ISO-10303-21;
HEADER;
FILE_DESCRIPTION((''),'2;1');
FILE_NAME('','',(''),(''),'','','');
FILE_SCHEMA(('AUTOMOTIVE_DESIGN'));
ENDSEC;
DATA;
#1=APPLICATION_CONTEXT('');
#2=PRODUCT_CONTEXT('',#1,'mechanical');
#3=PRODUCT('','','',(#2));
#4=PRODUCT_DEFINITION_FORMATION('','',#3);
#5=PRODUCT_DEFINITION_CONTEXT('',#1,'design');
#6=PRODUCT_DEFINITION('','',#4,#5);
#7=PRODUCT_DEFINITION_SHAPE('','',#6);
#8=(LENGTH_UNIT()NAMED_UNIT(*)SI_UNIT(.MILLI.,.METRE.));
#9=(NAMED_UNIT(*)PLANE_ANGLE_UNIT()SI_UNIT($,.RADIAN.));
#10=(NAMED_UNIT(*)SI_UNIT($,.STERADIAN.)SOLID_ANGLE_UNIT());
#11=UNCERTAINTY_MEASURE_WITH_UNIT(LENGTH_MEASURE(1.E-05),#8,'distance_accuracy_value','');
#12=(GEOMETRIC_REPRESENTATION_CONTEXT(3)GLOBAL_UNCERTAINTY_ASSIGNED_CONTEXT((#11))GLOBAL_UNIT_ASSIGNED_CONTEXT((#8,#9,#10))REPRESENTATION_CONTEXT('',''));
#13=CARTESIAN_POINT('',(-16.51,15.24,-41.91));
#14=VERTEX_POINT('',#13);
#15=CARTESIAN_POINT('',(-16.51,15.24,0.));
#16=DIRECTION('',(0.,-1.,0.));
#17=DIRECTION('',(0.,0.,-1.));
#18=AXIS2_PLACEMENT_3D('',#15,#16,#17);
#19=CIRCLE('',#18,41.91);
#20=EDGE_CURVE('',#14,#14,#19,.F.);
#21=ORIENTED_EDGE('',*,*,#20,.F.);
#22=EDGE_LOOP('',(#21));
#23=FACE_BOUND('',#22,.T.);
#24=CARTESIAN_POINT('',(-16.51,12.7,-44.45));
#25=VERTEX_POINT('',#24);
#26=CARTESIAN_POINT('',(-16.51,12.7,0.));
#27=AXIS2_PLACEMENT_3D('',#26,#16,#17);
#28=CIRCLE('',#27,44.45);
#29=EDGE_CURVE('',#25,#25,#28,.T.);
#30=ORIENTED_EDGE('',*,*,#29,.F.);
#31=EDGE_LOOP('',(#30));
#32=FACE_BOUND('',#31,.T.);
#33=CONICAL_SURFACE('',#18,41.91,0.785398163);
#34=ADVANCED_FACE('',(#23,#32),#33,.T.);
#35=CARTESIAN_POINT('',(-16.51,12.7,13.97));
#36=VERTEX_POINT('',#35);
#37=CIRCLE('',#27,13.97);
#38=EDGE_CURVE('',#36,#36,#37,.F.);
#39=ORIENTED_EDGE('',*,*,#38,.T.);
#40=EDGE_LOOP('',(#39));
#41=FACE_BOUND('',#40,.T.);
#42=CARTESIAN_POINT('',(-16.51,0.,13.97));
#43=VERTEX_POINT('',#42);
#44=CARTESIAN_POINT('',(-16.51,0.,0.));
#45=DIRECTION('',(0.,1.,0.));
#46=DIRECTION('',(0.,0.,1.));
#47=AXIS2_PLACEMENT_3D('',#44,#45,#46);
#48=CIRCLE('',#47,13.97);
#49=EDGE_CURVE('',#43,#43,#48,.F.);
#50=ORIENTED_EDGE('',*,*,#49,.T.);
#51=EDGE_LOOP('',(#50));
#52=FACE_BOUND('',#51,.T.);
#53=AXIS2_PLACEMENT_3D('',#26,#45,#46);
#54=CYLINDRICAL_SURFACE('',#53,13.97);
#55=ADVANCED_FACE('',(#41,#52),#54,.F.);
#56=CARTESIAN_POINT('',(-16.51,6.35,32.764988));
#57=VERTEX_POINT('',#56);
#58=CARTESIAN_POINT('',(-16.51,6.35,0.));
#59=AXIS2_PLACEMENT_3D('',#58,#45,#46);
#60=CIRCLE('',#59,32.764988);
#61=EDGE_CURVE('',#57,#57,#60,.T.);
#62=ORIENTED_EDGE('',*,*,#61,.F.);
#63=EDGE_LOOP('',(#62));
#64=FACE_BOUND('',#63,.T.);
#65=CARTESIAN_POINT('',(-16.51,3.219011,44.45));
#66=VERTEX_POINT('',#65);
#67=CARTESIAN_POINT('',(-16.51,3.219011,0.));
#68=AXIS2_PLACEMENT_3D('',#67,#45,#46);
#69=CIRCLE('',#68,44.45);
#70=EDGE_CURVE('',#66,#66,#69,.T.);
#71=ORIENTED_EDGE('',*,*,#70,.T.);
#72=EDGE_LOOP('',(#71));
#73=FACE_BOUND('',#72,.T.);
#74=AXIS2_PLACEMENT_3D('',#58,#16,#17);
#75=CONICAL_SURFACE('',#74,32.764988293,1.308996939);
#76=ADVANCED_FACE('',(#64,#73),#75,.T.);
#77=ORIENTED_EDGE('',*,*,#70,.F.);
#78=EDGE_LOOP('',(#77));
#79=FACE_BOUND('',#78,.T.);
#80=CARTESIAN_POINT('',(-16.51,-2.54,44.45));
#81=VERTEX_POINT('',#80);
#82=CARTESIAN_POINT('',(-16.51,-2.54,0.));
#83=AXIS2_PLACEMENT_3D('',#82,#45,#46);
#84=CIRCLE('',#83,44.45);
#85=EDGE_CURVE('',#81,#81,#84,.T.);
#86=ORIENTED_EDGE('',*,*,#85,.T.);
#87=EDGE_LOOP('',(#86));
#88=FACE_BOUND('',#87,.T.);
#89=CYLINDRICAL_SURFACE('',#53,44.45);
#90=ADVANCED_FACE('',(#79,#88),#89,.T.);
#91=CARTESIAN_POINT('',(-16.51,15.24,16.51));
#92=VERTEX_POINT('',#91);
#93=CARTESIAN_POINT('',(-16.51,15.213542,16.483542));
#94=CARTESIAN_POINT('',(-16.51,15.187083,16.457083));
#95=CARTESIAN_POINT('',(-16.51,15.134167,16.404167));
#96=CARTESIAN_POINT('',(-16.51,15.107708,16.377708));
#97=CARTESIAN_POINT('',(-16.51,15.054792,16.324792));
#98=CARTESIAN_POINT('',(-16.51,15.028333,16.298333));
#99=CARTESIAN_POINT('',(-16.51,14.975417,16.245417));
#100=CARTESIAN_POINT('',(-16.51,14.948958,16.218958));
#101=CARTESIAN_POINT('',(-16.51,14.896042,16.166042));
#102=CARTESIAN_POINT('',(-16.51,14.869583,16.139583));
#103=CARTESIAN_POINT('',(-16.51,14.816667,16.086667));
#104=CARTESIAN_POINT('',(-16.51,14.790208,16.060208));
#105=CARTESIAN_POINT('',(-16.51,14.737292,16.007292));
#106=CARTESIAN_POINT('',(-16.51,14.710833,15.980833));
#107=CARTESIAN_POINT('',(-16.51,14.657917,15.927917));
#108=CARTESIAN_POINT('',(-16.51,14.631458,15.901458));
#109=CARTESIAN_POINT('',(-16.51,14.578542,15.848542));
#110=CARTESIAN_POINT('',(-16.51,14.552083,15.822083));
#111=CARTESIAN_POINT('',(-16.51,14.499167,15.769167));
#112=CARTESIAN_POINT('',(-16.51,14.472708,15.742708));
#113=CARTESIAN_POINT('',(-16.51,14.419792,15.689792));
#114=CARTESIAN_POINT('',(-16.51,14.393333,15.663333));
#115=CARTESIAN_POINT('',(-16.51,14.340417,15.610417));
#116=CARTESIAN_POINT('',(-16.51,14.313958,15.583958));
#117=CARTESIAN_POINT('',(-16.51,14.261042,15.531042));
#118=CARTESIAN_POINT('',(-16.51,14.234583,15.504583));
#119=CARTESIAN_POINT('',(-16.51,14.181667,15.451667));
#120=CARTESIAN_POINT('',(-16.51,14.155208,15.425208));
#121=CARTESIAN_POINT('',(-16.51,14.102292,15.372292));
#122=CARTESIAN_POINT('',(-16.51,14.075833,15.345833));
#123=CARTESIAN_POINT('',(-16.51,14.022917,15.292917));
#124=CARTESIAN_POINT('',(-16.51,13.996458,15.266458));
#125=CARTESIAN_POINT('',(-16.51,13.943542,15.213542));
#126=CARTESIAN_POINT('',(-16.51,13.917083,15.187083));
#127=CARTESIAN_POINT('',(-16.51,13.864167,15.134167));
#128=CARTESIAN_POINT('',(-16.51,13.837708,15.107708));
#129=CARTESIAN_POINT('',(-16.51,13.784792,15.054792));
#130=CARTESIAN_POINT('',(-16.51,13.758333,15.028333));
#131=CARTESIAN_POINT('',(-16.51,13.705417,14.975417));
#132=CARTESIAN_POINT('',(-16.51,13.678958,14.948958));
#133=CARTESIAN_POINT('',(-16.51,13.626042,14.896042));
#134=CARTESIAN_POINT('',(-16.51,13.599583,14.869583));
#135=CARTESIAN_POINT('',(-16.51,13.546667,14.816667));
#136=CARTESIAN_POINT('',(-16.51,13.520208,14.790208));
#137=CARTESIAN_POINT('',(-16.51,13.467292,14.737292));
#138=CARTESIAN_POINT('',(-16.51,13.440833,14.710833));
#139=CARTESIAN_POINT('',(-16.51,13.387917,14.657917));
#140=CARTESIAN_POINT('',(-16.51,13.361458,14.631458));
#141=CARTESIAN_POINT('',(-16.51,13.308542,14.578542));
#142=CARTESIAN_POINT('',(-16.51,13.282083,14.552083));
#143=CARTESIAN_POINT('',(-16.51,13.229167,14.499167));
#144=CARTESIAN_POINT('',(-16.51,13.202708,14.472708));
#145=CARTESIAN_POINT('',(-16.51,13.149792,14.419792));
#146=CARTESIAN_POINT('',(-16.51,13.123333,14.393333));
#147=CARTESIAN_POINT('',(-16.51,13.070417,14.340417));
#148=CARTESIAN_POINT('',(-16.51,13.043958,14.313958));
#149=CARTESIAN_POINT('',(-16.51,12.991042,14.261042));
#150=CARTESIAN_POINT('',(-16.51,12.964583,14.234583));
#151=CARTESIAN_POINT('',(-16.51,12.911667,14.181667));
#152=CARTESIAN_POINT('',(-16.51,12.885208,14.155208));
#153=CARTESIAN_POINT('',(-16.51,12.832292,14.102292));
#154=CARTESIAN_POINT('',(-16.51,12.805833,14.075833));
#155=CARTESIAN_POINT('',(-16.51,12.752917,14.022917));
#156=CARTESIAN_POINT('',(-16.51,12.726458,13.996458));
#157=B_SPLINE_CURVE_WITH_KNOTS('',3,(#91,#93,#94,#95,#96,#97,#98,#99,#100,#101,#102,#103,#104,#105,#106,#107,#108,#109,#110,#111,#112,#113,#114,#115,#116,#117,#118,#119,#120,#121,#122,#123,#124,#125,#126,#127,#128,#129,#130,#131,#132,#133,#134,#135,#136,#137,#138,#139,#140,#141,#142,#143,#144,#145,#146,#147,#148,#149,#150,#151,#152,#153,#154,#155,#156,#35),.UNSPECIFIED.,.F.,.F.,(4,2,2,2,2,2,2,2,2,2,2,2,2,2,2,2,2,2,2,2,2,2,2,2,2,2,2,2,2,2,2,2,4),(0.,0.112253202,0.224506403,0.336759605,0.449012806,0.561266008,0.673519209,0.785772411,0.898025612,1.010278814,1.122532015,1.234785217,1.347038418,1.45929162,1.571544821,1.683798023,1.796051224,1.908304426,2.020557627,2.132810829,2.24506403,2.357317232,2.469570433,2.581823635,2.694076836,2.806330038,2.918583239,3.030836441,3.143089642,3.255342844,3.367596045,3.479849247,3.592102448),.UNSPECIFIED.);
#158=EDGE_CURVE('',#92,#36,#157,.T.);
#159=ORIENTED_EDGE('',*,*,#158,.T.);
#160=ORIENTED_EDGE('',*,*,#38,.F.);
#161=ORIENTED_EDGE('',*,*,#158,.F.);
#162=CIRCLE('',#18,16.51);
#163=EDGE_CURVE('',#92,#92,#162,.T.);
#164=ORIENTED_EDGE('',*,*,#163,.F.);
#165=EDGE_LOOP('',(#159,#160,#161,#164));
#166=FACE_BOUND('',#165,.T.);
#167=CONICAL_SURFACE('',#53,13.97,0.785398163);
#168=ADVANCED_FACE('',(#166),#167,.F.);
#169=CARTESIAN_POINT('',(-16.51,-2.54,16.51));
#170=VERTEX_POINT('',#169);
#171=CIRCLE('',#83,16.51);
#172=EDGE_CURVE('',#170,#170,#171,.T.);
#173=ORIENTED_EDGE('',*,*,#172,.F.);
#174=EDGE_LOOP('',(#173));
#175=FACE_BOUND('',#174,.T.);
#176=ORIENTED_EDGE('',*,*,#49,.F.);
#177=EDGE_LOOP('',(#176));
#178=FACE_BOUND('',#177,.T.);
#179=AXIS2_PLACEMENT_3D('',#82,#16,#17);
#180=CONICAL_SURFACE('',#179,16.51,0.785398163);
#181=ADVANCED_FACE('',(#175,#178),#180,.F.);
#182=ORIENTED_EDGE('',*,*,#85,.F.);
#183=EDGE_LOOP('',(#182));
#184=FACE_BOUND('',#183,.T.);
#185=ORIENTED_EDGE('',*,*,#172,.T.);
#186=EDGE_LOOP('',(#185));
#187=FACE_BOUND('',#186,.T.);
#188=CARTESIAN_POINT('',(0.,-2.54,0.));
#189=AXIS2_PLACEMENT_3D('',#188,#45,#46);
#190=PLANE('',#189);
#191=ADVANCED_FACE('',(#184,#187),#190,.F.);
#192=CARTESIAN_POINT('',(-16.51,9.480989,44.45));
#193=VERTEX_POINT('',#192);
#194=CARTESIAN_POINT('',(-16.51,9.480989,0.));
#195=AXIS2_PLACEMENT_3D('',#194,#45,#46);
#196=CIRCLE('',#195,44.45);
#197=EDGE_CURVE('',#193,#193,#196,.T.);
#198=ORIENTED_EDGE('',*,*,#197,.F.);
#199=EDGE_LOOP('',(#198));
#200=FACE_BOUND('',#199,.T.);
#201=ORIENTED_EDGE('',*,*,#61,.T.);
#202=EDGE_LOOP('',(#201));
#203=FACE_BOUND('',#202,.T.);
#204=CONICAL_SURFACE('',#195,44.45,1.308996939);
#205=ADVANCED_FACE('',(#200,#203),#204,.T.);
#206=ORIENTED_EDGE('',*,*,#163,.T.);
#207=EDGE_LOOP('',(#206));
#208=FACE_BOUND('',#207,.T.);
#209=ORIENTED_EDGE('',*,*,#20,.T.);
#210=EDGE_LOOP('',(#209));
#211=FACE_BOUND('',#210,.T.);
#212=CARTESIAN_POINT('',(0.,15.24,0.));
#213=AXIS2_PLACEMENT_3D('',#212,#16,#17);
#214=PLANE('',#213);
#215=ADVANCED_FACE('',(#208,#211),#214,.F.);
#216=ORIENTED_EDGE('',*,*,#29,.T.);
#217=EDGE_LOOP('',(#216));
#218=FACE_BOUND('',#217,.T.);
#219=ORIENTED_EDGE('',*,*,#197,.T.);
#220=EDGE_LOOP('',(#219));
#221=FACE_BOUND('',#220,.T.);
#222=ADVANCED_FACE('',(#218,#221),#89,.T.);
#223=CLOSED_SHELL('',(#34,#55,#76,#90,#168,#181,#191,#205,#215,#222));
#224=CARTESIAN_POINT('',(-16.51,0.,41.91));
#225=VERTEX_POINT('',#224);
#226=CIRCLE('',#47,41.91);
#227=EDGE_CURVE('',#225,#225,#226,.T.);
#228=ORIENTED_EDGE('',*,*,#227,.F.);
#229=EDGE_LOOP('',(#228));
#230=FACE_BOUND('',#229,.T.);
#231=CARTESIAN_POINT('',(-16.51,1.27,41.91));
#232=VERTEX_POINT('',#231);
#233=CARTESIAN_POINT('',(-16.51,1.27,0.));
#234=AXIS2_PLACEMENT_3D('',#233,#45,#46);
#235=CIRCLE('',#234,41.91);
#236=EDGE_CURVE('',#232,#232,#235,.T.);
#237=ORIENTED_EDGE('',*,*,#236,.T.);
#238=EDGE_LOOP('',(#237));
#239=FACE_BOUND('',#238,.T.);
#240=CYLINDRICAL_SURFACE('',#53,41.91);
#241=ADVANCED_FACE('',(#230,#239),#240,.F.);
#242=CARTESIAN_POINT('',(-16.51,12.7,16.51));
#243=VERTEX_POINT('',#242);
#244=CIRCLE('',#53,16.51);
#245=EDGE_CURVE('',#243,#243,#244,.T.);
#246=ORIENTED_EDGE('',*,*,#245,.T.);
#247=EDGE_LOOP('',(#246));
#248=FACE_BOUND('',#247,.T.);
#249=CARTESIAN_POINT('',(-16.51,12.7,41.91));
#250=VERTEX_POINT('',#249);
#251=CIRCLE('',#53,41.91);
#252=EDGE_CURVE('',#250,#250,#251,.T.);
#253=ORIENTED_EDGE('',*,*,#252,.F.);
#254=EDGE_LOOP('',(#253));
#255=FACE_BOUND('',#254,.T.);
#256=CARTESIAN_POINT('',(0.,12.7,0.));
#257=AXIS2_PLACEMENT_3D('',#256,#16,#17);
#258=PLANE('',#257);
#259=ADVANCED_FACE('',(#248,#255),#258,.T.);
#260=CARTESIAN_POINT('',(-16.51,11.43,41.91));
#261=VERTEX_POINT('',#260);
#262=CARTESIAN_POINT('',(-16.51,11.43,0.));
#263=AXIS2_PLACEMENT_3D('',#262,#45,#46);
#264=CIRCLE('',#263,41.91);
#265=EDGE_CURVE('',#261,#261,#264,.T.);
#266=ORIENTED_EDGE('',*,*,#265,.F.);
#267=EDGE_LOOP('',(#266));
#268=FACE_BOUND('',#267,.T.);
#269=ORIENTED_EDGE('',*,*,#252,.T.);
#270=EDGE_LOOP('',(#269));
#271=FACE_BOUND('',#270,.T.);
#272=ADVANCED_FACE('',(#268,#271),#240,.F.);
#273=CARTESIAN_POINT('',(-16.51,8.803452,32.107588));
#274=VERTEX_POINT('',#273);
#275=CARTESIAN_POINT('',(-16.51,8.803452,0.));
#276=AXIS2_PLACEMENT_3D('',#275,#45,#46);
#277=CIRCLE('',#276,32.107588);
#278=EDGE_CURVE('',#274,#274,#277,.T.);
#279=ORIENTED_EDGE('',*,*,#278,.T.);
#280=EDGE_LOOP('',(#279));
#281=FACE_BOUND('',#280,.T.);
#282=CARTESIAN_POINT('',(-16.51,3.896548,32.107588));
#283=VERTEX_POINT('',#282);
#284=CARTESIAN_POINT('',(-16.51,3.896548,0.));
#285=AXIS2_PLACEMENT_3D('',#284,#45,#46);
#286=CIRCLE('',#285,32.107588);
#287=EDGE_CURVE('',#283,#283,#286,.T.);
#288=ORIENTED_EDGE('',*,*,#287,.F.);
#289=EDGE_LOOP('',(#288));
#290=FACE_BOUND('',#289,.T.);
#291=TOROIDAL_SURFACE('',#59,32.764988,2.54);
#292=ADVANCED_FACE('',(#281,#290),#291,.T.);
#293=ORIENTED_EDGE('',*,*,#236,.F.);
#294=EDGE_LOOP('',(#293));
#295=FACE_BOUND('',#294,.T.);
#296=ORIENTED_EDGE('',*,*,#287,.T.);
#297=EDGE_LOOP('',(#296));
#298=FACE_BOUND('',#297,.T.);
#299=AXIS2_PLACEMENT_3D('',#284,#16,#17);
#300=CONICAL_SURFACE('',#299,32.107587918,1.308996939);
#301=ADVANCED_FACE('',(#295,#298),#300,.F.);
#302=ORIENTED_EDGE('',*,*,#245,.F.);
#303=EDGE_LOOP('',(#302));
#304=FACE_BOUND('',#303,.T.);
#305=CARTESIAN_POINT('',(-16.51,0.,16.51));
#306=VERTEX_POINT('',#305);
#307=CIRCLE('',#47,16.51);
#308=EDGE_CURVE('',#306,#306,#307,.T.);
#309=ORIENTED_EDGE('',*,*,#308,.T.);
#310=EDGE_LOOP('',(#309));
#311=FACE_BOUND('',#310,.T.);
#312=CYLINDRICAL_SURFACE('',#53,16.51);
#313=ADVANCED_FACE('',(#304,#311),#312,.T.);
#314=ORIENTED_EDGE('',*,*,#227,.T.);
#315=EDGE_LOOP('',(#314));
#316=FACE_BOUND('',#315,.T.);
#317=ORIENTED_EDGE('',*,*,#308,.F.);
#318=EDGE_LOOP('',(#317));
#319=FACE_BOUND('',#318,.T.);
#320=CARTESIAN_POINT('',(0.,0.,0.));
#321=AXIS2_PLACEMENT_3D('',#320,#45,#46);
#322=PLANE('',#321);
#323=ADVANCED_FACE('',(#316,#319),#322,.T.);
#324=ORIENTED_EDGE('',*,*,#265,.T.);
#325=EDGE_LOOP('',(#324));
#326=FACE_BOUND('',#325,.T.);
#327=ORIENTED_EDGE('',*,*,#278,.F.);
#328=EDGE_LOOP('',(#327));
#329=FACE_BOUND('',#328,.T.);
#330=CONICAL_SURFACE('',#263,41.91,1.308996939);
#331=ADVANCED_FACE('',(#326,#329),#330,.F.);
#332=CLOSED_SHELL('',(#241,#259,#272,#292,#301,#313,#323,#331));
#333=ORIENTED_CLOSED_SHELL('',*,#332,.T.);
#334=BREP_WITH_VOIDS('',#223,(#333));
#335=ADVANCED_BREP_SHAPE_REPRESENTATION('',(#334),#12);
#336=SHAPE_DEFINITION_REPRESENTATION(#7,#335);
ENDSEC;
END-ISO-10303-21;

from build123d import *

# Parameters (mm, degrees)
CHAMFER2_SIZE = 2.54


with BuildPart() as part:
    # Sketch1 → Revolve-Thin2 (revolve)
    with BuildSketch(Plane.XY, mode=Mode.PRIVATE) as revolve_thin2_sk:
        Polygon((16.254988293, 6.35), (27.94, 9.480989451), (27.94, 15.24), (-2.54, 15.24), (-2.54, -2.54), (27.94, -2.54), (27.94, 3.219010549), align=None)
        with BuildLine():
            Line((15.597587918, 8.803451599), (25.4, 11.43))
            Line((25.4, 11.43), (25.4, 12.7))
            Line((25.4, 12.7), (0, 12.7))
            Line((0, 12.7), (0, 0))
            Line((0, 0), (25.4, 0))
            Line((25.4, 0), (25.4, 1.27))
            Line((25.4, 1.27), (15.597587918, 3.896548401))
            ThreePointArc((15.597587918, 3.896548401), (13.714988293, 6.35), (15.597587918, 8.803451599))
        make_face(mode=Mode.SUBTRACT)
    revolve(revolve_thin2_sk.sketch.rotate(Axis((-16.51, 12.7, 0), (0, -1, 0)), 90), axis=Axis((-16.51, 12.7, 0), (0, -1, 0)))

    # Chamfer2
    chamfer2_edges = [part.edges().sort_by_distance(p)[0] for p in [
        (-16.51, -2.54, -13.97),
        (-16.51, 15.24, -13.97),
        (-16.51, 15.24, -44.45),
    ]]
    chamfer(chamfer2_edges, length=CHAMFER2_SIZE)


solid = part.part
